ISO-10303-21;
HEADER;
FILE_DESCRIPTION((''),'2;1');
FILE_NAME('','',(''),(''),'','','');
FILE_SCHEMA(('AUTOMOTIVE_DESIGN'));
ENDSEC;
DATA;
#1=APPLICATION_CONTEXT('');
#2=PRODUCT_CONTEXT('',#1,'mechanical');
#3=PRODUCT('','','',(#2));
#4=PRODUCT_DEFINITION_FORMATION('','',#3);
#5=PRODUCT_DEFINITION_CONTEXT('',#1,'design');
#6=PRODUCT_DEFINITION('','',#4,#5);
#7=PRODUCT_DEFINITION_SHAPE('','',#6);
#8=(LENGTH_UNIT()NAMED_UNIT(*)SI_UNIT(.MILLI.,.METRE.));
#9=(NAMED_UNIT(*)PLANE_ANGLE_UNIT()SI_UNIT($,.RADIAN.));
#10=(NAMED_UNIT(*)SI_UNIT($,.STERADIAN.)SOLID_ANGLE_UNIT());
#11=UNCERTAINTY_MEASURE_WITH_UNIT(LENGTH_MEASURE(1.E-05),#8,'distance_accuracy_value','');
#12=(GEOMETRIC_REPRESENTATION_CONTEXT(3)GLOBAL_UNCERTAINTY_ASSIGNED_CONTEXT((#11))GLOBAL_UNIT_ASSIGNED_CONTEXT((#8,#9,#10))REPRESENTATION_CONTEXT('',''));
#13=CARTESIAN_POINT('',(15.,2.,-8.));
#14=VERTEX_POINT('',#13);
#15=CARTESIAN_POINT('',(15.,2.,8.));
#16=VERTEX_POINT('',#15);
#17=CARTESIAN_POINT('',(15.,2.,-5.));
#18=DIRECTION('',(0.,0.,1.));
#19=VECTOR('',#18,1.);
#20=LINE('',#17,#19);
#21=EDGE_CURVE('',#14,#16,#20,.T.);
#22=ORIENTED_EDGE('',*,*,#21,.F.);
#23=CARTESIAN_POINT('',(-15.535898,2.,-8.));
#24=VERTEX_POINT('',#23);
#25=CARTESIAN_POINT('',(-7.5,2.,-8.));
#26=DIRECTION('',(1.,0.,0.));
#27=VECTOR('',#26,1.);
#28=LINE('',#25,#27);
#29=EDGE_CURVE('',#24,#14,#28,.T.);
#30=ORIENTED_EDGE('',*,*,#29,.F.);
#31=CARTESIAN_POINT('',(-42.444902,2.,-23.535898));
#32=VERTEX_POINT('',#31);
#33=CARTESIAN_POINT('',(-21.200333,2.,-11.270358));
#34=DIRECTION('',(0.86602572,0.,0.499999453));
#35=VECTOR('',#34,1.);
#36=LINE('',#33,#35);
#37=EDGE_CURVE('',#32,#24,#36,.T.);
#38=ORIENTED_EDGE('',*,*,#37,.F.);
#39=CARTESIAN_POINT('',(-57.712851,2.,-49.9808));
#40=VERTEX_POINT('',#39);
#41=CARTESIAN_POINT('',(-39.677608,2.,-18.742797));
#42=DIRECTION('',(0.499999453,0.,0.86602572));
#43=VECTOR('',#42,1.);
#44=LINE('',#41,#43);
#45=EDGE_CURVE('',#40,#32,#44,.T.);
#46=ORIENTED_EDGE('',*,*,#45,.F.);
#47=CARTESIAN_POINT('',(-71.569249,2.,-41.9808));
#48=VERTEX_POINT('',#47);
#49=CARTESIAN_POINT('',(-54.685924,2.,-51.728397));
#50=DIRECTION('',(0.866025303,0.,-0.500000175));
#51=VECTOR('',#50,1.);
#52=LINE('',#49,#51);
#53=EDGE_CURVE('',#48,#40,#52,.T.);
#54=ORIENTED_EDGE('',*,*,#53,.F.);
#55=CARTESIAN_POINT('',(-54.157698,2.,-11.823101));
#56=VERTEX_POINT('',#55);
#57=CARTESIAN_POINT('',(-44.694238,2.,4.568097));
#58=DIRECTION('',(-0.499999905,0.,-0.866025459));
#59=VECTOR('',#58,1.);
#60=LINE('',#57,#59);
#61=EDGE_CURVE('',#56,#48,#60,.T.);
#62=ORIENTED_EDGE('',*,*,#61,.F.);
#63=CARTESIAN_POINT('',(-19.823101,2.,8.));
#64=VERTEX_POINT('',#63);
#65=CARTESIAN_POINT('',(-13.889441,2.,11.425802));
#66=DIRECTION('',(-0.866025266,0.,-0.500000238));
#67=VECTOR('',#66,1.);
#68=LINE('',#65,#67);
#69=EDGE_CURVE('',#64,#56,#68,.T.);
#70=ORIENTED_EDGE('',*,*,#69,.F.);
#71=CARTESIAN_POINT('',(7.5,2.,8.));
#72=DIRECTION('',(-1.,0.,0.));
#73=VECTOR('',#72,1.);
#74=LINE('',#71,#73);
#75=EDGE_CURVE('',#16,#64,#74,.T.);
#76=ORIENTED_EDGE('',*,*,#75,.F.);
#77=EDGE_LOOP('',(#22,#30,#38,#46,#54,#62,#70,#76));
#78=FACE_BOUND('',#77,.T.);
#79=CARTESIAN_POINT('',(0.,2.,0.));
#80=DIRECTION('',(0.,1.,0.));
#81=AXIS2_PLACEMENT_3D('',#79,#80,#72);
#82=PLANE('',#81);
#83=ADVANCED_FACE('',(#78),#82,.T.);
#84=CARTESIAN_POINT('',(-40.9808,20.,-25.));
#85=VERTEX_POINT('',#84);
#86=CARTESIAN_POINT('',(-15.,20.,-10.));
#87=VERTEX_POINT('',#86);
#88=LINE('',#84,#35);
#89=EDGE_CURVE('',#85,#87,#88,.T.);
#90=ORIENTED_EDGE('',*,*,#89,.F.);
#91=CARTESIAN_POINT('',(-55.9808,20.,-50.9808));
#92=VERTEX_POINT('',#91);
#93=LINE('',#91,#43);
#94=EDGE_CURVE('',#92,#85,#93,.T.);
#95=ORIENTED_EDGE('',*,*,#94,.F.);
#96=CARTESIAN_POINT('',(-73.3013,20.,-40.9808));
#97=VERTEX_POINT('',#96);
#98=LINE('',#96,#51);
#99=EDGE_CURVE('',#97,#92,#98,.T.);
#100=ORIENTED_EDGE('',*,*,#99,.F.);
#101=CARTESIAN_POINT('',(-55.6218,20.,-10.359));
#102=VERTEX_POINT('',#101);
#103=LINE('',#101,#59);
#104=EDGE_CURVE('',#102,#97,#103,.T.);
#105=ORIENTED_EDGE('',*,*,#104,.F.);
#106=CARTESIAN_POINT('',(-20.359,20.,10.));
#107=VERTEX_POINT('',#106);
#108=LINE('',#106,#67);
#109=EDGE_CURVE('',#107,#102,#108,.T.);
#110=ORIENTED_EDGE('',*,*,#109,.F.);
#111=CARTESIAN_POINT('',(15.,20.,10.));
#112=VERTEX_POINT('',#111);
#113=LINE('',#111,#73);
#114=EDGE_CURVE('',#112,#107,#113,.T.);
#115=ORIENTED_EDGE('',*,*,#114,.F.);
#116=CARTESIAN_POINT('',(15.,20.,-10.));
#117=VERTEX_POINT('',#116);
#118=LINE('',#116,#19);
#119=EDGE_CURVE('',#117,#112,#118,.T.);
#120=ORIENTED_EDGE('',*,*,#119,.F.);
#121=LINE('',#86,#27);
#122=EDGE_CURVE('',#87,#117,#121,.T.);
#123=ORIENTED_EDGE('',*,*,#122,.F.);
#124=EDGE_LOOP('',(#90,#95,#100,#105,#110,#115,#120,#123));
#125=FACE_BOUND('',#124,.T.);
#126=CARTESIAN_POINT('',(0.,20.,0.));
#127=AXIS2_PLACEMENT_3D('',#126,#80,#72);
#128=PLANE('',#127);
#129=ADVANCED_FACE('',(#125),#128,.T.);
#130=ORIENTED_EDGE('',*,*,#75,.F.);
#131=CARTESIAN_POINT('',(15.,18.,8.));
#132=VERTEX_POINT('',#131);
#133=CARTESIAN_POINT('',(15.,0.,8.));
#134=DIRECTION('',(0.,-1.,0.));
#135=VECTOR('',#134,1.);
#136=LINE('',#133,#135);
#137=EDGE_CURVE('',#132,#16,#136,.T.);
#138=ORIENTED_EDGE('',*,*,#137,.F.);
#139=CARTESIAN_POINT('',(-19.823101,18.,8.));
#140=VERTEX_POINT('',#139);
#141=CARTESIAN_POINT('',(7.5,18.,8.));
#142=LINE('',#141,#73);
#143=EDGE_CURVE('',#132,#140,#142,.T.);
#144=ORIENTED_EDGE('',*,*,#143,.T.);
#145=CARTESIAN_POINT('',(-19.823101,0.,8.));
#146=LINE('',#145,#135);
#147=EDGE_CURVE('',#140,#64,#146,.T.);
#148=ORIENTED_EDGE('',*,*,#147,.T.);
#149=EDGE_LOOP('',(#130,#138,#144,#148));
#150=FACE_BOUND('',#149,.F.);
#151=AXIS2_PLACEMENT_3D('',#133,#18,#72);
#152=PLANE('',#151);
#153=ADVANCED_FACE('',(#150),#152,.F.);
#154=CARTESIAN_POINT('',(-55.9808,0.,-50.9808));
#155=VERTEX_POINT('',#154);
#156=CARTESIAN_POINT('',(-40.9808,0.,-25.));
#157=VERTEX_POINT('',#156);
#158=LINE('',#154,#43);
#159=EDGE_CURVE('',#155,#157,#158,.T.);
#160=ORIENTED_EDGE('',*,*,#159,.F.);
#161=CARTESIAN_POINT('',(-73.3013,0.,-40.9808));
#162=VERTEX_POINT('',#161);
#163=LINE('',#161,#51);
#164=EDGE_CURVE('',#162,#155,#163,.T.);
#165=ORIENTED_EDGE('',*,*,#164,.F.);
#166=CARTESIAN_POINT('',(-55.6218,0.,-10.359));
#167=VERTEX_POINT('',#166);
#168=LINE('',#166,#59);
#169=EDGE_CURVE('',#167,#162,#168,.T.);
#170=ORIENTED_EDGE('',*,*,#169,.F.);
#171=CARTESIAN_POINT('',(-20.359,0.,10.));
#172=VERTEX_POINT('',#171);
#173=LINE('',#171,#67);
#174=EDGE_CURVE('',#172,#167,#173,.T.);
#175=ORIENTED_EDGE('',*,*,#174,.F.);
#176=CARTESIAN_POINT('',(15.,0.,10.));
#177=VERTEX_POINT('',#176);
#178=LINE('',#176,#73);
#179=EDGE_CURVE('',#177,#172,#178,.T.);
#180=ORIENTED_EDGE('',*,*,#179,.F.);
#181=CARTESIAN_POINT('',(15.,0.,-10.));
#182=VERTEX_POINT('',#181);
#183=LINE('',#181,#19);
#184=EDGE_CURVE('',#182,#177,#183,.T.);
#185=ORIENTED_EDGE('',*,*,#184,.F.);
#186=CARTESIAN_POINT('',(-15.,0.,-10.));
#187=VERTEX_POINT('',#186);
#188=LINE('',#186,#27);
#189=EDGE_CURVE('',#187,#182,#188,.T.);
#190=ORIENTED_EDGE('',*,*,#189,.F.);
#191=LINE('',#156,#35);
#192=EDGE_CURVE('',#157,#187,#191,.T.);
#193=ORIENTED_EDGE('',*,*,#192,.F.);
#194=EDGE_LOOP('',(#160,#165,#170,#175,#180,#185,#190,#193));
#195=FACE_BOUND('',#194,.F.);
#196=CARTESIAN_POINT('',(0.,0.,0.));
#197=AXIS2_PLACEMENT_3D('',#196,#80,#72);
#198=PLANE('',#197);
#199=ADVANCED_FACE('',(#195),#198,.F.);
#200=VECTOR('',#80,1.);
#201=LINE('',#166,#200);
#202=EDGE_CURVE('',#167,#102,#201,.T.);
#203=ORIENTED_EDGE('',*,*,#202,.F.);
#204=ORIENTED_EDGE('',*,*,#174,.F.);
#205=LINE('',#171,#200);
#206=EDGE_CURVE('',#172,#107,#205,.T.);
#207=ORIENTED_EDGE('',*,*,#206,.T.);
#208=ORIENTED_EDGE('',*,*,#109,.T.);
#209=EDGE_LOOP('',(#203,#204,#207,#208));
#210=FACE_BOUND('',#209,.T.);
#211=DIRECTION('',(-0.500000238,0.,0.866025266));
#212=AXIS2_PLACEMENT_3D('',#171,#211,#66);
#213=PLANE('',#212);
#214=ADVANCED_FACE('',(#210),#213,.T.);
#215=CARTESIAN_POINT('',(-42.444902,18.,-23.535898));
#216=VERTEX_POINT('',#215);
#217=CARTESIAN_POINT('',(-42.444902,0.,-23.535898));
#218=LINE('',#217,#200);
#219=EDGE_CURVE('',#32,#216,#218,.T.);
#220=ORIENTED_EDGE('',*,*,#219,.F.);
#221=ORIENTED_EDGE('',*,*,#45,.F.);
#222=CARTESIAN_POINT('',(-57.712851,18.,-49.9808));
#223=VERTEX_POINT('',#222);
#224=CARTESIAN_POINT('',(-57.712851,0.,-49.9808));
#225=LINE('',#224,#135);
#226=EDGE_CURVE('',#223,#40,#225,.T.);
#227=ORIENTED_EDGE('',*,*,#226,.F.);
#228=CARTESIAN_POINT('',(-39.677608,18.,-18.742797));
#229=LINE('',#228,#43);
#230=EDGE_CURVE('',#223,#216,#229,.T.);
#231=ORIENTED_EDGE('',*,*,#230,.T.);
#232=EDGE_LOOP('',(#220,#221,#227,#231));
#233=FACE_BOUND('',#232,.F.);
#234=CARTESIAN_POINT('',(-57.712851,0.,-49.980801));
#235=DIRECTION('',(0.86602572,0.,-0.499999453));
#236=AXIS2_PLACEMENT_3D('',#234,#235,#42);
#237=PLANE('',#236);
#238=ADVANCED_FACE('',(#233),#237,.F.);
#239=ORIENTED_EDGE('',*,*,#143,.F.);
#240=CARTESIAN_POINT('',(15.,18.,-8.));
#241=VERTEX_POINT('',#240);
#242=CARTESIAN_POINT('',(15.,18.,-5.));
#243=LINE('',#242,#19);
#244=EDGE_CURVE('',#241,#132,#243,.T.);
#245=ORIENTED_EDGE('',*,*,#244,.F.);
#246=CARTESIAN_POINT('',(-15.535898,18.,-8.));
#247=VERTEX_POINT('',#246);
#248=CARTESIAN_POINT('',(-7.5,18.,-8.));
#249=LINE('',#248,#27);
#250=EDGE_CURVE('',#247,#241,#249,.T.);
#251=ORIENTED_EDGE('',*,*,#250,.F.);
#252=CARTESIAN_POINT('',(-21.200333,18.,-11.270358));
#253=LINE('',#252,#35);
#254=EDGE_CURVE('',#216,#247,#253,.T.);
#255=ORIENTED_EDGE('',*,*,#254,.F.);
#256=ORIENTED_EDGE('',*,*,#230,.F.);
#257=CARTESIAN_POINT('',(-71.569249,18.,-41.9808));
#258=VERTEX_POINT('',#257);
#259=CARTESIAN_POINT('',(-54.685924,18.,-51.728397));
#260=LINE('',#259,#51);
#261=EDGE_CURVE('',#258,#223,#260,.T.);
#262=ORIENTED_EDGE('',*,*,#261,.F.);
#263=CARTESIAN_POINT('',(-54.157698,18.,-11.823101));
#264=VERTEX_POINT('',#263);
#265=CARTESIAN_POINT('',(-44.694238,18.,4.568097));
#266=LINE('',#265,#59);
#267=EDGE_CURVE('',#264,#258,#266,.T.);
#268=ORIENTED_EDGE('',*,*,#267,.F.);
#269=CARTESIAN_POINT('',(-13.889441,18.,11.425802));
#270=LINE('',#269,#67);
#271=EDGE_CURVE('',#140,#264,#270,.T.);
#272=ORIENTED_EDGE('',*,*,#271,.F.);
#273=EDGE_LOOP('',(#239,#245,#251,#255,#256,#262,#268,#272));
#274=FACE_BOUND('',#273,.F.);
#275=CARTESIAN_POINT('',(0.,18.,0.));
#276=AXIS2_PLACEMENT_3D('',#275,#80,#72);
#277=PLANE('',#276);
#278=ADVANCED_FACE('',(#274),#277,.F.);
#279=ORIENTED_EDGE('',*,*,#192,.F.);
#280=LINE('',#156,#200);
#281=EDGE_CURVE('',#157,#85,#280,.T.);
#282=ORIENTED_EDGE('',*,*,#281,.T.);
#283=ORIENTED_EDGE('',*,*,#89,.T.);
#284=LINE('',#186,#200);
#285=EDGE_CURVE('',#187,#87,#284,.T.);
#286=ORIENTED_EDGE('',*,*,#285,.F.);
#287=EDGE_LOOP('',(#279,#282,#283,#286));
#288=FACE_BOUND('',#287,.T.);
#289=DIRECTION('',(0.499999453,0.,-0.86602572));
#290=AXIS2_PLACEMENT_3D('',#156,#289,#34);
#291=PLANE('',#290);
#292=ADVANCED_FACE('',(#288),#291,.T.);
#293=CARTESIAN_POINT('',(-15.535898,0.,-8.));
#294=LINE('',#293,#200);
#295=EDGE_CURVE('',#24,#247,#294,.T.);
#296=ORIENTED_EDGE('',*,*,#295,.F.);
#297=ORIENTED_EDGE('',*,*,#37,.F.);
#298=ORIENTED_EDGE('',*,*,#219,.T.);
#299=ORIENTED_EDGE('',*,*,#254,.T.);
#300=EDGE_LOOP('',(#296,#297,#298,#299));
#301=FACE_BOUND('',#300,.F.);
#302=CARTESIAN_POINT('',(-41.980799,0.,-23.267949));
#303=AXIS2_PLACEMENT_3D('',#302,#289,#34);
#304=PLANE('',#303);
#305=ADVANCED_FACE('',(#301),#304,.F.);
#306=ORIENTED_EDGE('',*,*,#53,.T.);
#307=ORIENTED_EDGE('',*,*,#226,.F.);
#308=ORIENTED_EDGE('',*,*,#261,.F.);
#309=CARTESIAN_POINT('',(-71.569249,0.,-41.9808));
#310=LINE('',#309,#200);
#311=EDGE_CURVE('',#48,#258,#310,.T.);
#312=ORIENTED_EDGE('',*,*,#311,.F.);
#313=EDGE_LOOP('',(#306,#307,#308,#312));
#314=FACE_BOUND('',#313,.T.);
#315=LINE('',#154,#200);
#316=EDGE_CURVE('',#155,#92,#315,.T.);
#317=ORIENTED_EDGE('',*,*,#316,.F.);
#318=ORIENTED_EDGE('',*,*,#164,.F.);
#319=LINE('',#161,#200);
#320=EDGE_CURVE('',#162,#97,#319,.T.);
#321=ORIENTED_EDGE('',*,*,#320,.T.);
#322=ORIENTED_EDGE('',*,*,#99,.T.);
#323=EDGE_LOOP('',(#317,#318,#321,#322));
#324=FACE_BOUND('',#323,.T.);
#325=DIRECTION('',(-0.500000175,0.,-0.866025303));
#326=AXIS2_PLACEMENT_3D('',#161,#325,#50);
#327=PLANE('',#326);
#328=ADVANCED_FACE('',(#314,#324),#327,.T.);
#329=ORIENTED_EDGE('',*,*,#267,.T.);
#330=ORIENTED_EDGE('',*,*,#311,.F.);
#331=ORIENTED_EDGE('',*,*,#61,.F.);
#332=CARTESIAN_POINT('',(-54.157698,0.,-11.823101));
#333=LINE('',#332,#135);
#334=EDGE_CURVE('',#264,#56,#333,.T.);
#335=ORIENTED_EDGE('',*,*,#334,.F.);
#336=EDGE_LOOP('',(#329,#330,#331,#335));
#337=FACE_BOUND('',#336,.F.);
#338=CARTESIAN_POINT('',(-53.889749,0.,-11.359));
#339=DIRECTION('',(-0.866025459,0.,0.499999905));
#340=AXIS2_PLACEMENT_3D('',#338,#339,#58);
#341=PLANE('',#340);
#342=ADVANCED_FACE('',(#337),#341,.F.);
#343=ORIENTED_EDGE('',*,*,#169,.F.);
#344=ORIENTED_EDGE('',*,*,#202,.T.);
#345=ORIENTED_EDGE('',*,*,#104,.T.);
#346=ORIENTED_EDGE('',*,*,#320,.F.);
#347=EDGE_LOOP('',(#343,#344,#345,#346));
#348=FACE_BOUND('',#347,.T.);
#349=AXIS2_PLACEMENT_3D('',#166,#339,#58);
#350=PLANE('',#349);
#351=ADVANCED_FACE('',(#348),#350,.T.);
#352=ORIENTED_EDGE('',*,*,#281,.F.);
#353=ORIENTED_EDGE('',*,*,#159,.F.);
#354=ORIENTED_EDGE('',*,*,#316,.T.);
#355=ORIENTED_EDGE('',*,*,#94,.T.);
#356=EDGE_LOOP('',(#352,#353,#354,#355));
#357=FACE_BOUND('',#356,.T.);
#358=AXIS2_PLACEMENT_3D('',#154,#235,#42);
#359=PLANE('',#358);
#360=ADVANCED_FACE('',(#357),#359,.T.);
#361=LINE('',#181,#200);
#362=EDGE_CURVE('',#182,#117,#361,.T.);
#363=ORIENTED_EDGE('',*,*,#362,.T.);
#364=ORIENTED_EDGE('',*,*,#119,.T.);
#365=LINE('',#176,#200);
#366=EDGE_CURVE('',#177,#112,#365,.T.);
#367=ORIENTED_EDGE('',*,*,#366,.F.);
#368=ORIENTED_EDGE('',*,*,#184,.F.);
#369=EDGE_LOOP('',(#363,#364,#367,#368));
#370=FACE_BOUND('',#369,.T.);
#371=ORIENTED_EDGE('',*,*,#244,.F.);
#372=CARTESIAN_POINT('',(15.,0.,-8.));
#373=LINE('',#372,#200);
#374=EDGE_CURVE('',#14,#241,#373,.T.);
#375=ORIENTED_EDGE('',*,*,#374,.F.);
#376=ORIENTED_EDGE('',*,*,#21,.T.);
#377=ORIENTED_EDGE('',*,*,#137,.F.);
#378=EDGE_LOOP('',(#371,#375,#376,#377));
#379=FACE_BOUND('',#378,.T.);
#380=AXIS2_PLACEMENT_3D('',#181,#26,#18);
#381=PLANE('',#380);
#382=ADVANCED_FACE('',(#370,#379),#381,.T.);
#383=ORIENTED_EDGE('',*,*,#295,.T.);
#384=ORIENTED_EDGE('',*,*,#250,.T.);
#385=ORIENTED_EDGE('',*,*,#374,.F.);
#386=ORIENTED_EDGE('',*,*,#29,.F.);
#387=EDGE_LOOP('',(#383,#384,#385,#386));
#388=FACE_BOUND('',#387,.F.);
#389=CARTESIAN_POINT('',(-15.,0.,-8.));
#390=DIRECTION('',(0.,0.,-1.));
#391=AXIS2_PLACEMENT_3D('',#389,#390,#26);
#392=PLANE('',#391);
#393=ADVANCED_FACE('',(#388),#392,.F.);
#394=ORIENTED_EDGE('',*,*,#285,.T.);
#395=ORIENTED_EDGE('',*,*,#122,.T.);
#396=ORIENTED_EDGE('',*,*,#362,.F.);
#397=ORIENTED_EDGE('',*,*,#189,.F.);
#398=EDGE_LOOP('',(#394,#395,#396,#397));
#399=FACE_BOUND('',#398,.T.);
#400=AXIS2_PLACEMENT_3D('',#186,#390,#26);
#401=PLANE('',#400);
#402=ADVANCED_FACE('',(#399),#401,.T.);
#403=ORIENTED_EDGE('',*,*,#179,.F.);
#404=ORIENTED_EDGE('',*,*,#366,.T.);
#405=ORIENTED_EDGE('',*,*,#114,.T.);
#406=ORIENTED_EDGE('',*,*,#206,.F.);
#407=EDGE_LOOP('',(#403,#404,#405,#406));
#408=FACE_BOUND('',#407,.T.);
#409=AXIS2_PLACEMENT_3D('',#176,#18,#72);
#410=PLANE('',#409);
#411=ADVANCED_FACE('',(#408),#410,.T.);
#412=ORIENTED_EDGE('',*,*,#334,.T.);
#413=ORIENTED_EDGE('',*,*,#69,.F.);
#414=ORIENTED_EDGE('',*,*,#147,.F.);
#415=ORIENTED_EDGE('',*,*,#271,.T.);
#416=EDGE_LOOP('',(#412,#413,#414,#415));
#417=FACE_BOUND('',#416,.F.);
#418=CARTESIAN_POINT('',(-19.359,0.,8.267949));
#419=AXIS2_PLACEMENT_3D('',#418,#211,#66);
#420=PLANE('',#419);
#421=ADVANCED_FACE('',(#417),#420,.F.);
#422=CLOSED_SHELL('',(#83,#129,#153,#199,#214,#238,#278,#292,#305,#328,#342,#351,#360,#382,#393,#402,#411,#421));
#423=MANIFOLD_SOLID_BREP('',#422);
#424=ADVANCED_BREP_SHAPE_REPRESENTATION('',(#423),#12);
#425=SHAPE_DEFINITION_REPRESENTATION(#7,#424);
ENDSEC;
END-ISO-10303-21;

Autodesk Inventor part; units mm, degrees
ref_plane "YZ Plane" through (0, 0, 0) normal (1, 0, 0) x (0, 1, 0)
ref_plane "XZ Plane" through (0, 0, 0) normal (0, 1, 0) x (-1, 0, 0)
ref_plane "XY Plane" through (0, 0, 0) normal (0, 0, 1) x (1, 0, 0)
sketch "Sketch1" plane through (0, 0, 0) normal (0, 1, 0) x (-1, 0, 0)
  line L0 (-15, 10) -> (20.359, 10)
  line L1 (25, 7.3205) -> (15, -10) construction
  line L2 (15, -10) -> (-15, -10)
  line L3 (-15, -10) -> (-15, 10)
  line L4 (-15, 10) -> (15, -10) construction
  line L5 (15, 10) -> (-15, -10) construction
  line L6 (20.359, 10) -> (55.6218, -10.359)
  line L7 (58.3013, -15) -> (40.9808, -25) construction
  line L8 (40.9808, -25) -> (15, -10)
  line L9 (15, -10) -> (15, 10) construction
  line L10 (55.6218, -10.359) -> (73.3013, -40.9808)
  line L11 (73.3013, -40.9808) -> (55.9808, -50.9808)
  line L12 (55.9808, -50.9808) -> (40.9808, -25)
  line L13 (40.9808, -25) -> (50.9808, -7.6795) construction
  point P0 (0, 0)
  point P1 (15, -10)
  dimension "d0" = 30
extrude "Extrusion1" add sketch "Sketch1" along normal blind 20
shell "Shell1" thickness 2 removed faces 2 at (-61.7543, 6.6667, -47.6474) at (15, 6.6667, 3.3333)
properties part number "finger_two_bend_hollow"
